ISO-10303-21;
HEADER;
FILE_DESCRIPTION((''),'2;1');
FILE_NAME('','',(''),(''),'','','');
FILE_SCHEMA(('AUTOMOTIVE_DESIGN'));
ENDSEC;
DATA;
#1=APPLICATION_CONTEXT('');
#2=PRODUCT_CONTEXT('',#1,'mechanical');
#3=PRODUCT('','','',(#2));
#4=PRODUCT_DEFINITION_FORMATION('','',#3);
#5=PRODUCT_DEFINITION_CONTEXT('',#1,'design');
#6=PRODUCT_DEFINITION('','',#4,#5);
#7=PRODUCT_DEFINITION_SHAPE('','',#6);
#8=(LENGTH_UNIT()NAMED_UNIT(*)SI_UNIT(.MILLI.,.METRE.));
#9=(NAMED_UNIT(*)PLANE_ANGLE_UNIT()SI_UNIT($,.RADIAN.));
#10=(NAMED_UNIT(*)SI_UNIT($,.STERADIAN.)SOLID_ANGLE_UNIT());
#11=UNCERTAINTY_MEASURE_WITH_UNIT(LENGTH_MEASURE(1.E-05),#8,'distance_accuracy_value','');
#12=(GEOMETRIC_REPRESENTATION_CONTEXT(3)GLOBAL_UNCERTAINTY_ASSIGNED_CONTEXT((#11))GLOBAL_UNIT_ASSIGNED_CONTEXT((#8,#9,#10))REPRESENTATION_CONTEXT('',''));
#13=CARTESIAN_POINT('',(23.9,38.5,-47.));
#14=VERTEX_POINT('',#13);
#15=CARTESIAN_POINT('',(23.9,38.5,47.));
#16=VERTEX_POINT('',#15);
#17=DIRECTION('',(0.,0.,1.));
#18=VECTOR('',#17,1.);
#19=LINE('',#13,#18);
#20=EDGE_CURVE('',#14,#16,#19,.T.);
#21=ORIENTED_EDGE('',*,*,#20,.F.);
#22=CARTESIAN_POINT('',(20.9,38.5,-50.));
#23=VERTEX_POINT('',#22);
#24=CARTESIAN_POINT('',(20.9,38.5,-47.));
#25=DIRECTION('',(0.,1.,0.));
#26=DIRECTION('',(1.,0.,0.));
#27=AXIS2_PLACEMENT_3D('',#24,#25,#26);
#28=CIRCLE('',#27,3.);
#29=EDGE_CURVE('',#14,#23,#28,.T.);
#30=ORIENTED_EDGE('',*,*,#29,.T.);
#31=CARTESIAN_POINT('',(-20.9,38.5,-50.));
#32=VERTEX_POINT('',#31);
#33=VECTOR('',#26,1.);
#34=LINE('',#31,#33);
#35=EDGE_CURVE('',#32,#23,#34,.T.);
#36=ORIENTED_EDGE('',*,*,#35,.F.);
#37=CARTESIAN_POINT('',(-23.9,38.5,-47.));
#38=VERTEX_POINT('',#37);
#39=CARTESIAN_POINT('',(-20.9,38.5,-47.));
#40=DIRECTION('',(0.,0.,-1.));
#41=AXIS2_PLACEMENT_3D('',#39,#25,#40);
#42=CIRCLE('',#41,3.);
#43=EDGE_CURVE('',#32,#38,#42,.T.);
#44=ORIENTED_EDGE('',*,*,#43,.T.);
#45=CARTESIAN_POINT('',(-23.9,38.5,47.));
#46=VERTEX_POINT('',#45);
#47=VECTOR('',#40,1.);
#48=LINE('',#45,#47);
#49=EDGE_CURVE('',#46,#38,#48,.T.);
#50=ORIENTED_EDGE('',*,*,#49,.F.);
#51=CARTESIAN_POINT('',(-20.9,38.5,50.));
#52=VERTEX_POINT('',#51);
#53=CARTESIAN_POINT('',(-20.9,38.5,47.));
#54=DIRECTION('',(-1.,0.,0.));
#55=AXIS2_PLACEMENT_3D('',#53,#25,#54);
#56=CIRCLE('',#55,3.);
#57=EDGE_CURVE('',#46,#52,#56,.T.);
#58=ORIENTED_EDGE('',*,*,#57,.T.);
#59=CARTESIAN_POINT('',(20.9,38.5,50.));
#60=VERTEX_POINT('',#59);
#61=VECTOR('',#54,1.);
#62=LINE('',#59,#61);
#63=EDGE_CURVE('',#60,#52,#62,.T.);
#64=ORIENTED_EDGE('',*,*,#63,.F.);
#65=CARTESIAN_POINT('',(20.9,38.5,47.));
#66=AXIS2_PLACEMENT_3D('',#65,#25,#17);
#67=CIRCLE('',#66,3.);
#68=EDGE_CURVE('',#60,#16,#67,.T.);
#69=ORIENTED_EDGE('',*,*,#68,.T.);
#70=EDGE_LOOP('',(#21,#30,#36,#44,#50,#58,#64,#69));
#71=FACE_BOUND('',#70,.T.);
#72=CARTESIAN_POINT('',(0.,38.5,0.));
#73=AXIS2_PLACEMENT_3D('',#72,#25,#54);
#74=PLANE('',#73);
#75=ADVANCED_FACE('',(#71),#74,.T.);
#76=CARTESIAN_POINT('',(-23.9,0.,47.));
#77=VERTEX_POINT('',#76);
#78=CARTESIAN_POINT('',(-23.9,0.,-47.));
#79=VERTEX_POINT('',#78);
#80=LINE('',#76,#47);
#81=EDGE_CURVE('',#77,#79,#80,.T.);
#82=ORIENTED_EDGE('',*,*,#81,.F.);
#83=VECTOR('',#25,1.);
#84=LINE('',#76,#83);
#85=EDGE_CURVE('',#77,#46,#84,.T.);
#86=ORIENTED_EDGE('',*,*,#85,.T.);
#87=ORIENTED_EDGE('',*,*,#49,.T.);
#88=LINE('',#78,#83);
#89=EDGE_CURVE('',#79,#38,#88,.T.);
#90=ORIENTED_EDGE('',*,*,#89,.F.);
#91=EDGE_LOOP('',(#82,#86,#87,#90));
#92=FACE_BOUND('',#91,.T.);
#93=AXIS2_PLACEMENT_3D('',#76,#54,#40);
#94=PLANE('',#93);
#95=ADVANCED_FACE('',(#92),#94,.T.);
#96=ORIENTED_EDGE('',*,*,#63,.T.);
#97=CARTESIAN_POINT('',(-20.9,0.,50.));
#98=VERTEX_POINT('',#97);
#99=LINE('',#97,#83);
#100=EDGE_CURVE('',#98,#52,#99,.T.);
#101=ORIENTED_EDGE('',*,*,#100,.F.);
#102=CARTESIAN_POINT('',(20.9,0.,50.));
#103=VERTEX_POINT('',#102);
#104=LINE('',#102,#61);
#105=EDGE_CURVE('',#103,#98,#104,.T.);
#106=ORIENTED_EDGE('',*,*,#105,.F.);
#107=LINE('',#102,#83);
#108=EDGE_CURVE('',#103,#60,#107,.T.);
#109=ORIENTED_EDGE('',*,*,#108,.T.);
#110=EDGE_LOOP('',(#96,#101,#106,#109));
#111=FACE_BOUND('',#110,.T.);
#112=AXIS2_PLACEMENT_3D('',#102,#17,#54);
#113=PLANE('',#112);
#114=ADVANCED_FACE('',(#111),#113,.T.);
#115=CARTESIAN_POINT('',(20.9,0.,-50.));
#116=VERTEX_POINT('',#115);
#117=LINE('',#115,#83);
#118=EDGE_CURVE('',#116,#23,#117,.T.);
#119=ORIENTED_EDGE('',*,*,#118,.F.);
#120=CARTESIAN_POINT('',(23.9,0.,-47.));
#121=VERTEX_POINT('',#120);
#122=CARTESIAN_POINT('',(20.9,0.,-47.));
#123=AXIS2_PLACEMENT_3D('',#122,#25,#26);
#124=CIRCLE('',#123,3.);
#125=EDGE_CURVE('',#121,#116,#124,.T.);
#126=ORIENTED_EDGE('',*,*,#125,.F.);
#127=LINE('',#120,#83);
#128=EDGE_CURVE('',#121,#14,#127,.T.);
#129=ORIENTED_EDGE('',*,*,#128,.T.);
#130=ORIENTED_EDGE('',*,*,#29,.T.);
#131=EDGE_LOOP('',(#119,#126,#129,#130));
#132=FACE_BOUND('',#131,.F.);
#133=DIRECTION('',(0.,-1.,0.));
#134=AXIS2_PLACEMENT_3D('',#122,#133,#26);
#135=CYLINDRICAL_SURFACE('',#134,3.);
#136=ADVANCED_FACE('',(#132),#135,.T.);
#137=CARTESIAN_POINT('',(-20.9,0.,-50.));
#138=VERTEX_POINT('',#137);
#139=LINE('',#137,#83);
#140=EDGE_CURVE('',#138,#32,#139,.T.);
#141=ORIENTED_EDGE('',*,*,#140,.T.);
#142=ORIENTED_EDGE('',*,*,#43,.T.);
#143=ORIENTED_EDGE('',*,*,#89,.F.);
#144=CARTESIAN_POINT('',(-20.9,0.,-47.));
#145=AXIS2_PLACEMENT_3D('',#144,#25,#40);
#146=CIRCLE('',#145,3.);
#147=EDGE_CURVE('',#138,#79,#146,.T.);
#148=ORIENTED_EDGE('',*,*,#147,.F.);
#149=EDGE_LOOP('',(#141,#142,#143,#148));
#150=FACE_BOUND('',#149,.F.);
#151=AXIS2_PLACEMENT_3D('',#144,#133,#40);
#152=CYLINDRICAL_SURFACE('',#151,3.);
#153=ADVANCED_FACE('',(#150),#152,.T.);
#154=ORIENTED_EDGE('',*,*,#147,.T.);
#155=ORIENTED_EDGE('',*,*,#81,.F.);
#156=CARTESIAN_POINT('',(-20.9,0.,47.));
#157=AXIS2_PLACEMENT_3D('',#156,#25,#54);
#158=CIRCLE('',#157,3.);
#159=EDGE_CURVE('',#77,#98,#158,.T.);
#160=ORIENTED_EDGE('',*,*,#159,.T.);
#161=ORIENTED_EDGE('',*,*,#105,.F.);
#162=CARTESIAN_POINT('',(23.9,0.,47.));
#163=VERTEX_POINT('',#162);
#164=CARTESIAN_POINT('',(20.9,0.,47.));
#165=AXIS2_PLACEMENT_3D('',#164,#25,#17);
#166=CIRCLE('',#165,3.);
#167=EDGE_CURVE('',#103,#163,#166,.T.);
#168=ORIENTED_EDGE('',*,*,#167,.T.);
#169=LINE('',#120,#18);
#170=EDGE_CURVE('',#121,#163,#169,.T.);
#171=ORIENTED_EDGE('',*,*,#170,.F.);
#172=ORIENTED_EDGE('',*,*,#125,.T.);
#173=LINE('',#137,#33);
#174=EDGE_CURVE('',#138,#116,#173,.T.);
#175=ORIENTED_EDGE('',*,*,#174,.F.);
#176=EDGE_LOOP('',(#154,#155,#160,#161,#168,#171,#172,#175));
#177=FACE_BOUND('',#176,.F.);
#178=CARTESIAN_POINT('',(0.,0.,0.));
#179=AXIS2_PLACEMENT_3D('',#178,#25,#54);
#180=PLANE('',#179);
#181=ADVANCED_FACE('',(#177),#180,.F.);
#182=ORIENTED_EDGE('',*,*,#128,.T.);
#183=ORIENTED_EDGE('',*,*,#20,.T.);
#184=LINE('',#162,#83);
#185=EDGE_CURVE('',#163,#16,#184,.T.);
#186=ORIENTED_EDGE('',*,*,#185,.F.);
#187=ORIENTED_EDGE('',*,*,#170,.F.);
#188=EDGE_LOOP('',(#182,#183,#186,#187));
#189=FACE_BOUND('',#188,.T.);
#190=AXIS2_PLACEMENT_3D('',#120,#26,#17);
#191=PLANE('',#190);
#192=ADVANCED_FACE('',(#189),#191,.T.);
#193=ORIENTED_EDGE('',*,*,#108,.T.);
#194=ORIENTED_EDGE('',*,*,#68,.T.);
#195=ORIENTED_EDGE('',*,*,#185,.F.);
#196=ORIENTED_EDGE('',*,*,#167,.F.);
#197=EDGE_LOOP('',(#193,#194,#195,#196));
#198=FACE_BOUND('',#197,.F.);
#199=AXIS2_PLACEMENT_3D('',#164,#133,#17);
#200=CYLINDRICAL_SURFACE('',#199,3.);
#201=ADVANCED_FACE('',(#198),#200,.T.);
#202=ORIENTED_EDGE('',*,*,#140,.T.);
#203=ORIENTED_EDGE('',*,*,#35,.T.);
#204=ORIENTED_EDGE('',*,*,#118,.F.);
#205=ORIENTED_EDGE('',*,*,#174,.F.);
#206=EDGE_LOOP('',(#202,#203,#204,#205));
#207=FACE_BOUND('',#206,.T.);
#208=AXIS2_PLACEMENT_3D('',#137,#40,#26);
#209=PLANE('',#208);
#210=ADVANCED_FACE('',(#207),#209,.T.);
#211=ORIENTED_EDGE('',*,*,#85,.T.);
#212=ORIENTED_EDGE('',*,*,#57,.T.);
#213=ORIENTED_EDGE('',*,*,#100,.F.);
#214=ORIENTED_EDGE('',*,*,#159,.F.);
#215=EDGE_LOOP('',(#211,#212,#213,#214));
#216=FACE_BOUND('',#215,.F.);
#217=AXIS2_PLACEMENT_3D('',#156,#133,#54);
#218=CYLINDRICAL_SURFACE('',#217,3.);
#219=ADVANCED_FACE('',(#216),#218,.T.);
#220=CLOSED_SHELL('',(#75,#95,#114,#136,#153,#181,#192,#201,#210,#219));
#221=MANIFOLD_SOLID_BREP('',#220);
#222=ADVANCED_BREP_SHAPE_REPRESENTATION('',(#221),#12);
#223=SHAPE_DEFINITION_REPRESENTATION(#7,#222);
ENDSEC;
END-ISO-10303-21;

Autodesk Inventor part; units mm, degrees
ref_plane "YZ Plane" through (0, 0, 0) normal (1, 0, 0) x (0, 1, 0)
ref_plane "XZ Plane" through (0, 0, 0) normal (0, 1, 0) x (-1, 0, 0)
sketch "Sketch1" plane through (0, 0, 0) normal (0, 1, 0) x (-1, 0, 0)
  line L0 (-20.9, 50) -> (20.9, 50)
  line L1 (23.9, 47) -> (23.9, -47)
  line L2 (20.9, -50) -> (-20.9, -50)
  line L3 (-23.9, -47) -> (-23.9, 47)
  line L4 (-23.9, 50) -> (23.9, -50) construction
  line L5 (23.9, 50) -> (-23.9, -50) construction
  arc A0 (23.9, 47) -> (20.9, 50) centre (20.9, 47) ccw
  arc A1 (20.9, -50) -> (23.9, -47) centre (20.9, -47) ccw
  arc A2 (-23.9, -47) -> (-20.9, -50) centre (-20.9, -47) ccw
  arc A3 (-20.9, 50) -> (-23.9, 47) centre (-20.9, 47) ccw
  point P0 (0, 0)
  dimension "d0" = 47.8
  dimension "d1" = 100
  dimension "d2" = 3
extrude "Extrusion1" add sketch "Sketch1" along normal blind 38.5
properties part number "CH_01_0043_camera_PH"
